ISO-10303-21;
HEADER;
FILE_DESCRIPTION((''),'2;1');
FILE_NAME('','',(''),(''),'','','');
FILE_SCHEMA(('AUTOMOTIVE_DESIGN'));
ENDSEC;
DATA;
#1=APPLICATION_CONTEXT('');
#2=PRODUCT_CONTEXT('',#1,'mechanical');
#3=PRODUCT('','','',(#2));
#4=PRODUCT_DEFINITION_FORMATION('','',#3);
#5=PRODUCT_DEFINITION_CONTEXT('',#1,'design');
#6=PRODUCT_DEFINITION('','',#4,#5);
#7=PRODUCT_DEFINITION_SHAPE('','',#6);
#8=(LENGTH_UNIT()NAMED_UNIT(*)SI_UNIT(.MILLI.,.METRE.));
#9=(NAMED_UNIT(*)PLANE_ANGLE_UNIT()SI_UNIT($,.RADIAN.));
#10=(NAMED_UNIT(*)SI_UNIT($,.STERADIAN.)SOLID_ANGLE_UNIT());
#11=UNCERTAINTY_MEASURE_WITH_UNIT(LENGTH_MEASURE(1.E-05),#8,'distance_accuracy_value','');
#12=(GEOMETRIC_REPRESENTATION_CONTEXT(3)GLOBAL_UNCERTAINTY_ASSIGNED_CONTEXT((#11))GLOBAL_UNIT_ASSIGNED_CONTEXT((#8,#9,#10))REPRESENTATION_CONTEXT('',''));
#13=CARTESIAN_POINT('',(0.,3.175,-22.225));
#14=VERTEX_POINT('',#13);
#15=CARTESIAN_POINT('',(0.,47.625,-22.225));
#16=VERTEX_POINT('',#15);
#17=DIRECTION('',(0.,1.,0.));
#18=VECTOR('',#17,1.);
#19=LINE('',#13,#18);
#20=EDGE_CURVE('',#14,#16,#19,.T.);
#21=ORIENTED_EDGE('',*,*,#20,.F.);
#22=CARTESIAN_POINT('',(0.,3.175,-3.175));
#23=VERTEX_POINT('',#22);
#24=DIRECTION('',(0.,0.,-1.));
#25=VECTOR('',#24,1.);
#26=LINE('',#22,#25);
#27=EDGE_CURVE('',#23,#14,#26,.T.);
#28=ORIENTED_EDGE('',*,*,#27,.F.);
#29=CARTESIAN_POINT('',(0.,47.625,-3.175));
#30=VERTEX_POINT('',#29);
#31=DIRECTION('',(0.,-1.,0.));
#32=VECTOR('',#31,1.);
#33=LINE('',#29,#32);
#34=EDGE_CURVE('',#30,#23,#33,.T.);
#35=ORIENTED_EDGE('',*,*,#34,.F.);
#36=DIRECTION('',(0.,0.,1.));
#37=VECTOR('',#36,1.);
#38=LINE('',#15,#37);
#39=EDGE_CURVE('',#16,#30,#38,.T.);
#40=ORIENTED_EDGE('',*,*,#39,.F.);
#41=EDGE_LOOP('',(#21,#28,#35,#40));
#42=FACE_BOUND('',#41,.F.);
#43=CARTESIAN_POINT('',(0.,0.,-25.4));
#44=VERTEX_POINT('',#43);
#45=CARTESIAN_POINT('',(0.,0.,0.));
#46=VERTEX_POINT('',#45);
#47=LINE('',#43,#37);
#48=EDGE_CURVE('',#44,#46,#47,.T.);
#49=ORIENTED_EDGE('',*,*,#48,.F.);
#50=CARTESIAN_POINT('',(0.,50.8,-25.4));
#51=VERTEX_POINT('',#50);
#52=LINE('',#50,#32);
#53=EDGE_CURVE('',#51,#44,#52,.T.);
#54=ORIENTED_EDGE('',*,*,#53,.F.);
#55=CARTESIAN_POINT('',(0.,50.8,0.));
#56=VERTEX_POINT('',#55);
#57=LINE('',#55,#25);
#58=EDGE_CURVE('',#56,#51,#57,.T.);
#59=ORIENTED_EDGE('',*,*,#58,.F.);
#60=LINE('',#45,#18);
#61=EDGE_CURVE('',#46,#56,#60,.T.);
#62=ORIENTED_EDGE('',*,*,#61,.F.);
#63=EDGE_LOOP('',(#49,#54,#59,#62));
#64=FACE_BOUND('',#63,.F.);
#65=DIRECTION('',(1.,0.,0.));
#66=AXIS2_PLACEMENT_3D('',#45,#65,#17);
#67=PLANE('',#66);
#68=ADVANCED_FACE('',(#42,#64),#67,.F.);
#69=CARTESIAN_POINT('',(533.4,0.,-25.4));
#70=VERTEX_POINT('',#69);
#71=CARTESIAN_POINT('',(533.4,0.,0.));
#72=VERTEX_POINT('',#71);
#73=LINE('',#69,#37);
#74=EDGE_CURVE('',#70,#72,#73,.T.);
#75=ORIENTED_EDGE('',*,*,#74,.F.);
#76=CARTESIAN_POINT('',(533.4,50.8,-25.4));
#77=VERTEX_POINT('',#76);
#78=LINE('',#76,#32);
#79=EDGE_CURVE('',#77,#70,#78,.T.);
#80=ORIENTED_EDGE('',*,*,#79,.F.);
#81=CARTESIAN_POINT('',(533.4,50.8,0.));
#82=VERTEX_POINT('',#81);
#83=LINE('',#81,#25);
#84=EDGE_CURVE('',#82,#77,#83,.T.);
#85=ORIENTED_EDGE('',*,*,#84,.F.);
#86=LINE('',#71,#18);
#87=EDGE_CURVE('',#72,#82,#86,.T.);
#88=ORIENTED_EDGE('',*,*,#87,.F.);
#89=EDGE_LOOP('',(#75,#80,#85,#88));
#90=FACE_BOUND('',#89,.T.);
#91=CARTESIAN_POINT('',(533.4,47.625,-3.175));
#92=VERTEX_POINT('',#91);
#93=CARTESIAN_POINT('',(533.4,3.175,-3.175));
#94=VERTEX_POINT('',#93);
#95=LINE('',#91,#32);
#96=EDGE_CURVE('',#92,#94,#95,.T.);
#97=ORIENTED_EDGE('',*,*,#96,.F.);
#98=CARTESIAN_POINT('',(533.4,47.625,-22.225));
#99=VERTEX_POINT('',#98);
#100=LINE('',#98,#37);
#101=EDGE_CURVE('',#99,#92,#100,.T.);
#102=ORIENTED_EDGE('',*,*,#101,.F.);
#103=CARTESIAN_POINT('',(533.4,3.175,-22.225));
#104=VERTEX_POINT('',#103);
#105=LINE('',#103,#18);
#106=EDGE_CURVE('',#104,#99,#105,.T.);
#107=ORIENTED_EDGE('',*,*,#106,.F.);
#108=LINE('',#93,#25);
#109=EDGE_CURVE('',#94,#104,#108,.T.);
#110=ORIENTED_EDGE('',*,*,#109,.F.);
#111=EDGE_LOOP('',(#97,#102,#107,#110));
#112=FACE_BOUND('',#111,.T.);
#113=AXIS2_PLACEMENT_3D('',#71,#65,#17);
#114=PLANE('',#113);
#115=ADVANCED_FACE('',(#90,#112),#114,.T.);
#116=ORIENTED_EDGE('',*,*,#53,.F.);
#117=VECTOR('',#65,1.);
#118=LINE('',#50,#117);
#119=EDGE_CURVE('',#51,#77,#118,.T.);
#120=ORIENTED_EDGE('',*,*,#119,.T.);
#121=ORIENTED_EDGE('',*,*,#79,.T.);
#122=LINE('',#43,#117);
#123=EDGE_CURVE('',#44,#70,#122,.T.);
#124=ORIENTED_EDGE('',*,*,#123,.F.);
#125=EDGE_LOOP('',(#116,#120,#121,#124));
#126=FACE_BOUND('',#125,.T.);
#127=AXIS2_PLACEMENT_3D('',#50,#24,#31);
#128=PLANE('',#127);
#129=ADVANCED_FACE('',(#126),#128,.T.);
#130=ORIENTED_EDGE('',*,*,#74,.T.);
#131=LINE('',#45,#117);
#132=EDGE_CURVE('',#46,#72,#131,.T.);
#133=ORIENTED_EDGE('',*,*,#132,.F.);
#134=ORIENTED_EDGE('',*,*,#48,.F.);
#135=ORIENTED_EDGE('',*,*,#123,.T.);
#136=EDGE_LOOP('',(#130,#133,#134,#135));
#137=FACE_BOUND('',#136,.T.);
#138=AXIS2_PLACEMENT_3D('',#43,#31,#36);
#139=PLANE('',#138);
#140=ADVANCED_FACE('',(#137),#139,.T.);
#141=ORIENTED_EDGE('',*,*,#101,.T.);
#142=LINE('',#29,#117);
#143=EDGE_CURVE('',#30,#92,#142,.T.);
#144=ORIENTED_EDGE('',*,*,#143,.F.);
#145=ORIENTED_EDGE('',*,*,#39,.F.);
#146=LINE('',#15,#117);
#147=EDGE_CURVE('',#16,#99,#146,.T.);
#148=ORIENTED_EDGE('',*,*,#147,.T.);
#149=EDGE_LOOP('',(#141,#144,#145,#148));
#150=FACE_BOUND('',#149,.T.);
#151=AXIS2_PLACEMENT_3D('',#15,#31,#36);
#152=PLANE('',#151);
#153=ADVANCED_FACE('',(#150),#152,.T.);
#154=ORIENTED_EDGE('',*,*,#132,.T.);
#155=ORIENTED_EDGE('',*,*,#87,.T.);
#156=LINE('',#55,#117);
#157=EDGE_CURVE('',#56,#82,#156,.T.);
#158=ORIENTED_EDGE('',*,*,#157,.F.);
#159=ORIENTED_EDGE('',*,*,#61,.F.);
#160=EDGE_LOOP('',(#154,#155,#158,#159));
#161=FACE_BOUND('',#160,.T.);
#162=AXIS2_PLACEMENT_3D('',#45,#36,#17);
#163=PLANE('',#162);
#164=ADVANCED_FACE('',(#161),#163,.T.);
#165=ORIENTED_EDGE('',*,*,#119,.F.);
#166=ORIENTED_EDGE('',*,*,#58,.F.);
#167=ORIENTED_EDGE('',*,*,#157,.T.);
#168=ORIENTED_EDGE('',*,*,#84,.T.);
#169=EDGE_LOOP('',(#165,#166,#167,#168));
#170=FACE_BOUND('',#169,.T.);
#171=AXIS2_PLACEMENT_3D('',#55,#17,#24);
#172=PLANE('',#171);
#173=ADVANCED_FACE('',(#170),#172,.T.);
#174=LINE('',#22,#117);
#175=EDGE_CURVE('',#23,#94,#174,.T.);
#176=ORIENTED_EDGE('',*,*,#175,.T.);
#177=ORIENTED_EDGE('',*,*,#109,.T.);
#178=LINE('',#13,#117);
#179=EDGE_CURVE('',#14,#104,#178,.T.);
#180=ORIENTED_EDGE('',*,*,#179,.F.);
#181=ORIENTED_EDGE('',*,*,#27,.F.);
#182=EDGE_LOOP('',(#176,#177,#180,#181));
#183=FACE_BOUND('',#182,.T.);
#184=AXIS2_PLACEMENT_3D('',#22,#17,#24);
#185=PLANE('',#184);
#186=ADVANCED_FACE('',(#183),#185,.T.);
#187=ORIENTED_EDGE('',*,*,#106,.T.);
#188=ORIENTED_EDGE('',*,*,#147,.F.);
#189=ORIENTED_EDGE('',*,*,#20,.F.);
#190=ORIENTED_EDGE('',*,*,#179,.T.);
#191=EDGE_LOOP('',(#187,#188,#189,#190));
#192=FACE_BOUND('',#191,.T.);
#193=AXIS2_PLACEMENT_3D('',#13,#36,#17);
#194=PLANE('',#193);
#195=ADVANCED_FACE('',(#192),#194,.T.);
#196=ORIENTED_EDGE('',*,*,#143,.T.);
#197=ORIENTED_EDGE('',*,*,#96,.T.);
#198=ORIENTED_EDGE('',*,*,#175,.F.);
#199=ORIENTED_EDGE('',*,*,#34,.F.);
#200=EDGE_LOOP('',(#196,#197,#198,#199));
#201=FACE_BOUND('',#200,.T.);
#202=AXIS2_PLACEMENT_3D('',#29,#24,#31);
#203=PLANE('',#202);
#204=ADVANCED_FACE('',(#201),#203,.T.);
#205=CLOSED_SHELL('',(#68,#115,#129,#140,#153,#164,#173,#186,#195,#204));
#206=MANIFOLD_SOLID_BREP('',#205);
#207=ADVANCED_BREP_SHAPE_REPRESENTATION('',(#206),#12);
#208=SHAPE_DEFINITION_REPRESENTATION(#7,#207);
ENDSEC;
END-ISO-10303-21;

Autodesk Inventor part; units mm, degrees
ref_plane "YZ Plane" through (0, 0, 0) normal (1, 0, 0) x (0, 1, 0)
ref_plane "XZ Plane" through (0, 0, 0) normal (0, 1, 0) x (-1, 0, 0)
ref_plane "XY Plane" through (0, 0, 0) normal (0, 0, 1) x (1, 0, 0)
sketch "Sketch1" plane through (0, 0, 0) normal (1, 0, 0) x (0, 1, 0)
  line L0 (0, 0) -> (50.8, 0)
  line L1 (50.8, 0) -> (50.8, -25.4)
  line L2 (50.8, -25.4) -> (0, -25.4)
  line L3 (0, -25.4) -> (0, 0)
  line L4 (47.625, -22.225) -> (47.625, -3.175)
  line L5 (47.625, -3.175) -> (3.175, -3.175)
  line L6 (3.175, -3.175) -> (3.175, -22.225)
  line L7 (3.175, -22.225) -> (47.625, -22.225)
  dimension "d0" = 50.8
  dimension "d1" = 25.4
  dimension "d2" = 3.175
extrude "Extrusion1" add sketch "Sketch1" along normal blind 533.4
properties part number "21inchchassisbar" material "Aluminum 6061"
